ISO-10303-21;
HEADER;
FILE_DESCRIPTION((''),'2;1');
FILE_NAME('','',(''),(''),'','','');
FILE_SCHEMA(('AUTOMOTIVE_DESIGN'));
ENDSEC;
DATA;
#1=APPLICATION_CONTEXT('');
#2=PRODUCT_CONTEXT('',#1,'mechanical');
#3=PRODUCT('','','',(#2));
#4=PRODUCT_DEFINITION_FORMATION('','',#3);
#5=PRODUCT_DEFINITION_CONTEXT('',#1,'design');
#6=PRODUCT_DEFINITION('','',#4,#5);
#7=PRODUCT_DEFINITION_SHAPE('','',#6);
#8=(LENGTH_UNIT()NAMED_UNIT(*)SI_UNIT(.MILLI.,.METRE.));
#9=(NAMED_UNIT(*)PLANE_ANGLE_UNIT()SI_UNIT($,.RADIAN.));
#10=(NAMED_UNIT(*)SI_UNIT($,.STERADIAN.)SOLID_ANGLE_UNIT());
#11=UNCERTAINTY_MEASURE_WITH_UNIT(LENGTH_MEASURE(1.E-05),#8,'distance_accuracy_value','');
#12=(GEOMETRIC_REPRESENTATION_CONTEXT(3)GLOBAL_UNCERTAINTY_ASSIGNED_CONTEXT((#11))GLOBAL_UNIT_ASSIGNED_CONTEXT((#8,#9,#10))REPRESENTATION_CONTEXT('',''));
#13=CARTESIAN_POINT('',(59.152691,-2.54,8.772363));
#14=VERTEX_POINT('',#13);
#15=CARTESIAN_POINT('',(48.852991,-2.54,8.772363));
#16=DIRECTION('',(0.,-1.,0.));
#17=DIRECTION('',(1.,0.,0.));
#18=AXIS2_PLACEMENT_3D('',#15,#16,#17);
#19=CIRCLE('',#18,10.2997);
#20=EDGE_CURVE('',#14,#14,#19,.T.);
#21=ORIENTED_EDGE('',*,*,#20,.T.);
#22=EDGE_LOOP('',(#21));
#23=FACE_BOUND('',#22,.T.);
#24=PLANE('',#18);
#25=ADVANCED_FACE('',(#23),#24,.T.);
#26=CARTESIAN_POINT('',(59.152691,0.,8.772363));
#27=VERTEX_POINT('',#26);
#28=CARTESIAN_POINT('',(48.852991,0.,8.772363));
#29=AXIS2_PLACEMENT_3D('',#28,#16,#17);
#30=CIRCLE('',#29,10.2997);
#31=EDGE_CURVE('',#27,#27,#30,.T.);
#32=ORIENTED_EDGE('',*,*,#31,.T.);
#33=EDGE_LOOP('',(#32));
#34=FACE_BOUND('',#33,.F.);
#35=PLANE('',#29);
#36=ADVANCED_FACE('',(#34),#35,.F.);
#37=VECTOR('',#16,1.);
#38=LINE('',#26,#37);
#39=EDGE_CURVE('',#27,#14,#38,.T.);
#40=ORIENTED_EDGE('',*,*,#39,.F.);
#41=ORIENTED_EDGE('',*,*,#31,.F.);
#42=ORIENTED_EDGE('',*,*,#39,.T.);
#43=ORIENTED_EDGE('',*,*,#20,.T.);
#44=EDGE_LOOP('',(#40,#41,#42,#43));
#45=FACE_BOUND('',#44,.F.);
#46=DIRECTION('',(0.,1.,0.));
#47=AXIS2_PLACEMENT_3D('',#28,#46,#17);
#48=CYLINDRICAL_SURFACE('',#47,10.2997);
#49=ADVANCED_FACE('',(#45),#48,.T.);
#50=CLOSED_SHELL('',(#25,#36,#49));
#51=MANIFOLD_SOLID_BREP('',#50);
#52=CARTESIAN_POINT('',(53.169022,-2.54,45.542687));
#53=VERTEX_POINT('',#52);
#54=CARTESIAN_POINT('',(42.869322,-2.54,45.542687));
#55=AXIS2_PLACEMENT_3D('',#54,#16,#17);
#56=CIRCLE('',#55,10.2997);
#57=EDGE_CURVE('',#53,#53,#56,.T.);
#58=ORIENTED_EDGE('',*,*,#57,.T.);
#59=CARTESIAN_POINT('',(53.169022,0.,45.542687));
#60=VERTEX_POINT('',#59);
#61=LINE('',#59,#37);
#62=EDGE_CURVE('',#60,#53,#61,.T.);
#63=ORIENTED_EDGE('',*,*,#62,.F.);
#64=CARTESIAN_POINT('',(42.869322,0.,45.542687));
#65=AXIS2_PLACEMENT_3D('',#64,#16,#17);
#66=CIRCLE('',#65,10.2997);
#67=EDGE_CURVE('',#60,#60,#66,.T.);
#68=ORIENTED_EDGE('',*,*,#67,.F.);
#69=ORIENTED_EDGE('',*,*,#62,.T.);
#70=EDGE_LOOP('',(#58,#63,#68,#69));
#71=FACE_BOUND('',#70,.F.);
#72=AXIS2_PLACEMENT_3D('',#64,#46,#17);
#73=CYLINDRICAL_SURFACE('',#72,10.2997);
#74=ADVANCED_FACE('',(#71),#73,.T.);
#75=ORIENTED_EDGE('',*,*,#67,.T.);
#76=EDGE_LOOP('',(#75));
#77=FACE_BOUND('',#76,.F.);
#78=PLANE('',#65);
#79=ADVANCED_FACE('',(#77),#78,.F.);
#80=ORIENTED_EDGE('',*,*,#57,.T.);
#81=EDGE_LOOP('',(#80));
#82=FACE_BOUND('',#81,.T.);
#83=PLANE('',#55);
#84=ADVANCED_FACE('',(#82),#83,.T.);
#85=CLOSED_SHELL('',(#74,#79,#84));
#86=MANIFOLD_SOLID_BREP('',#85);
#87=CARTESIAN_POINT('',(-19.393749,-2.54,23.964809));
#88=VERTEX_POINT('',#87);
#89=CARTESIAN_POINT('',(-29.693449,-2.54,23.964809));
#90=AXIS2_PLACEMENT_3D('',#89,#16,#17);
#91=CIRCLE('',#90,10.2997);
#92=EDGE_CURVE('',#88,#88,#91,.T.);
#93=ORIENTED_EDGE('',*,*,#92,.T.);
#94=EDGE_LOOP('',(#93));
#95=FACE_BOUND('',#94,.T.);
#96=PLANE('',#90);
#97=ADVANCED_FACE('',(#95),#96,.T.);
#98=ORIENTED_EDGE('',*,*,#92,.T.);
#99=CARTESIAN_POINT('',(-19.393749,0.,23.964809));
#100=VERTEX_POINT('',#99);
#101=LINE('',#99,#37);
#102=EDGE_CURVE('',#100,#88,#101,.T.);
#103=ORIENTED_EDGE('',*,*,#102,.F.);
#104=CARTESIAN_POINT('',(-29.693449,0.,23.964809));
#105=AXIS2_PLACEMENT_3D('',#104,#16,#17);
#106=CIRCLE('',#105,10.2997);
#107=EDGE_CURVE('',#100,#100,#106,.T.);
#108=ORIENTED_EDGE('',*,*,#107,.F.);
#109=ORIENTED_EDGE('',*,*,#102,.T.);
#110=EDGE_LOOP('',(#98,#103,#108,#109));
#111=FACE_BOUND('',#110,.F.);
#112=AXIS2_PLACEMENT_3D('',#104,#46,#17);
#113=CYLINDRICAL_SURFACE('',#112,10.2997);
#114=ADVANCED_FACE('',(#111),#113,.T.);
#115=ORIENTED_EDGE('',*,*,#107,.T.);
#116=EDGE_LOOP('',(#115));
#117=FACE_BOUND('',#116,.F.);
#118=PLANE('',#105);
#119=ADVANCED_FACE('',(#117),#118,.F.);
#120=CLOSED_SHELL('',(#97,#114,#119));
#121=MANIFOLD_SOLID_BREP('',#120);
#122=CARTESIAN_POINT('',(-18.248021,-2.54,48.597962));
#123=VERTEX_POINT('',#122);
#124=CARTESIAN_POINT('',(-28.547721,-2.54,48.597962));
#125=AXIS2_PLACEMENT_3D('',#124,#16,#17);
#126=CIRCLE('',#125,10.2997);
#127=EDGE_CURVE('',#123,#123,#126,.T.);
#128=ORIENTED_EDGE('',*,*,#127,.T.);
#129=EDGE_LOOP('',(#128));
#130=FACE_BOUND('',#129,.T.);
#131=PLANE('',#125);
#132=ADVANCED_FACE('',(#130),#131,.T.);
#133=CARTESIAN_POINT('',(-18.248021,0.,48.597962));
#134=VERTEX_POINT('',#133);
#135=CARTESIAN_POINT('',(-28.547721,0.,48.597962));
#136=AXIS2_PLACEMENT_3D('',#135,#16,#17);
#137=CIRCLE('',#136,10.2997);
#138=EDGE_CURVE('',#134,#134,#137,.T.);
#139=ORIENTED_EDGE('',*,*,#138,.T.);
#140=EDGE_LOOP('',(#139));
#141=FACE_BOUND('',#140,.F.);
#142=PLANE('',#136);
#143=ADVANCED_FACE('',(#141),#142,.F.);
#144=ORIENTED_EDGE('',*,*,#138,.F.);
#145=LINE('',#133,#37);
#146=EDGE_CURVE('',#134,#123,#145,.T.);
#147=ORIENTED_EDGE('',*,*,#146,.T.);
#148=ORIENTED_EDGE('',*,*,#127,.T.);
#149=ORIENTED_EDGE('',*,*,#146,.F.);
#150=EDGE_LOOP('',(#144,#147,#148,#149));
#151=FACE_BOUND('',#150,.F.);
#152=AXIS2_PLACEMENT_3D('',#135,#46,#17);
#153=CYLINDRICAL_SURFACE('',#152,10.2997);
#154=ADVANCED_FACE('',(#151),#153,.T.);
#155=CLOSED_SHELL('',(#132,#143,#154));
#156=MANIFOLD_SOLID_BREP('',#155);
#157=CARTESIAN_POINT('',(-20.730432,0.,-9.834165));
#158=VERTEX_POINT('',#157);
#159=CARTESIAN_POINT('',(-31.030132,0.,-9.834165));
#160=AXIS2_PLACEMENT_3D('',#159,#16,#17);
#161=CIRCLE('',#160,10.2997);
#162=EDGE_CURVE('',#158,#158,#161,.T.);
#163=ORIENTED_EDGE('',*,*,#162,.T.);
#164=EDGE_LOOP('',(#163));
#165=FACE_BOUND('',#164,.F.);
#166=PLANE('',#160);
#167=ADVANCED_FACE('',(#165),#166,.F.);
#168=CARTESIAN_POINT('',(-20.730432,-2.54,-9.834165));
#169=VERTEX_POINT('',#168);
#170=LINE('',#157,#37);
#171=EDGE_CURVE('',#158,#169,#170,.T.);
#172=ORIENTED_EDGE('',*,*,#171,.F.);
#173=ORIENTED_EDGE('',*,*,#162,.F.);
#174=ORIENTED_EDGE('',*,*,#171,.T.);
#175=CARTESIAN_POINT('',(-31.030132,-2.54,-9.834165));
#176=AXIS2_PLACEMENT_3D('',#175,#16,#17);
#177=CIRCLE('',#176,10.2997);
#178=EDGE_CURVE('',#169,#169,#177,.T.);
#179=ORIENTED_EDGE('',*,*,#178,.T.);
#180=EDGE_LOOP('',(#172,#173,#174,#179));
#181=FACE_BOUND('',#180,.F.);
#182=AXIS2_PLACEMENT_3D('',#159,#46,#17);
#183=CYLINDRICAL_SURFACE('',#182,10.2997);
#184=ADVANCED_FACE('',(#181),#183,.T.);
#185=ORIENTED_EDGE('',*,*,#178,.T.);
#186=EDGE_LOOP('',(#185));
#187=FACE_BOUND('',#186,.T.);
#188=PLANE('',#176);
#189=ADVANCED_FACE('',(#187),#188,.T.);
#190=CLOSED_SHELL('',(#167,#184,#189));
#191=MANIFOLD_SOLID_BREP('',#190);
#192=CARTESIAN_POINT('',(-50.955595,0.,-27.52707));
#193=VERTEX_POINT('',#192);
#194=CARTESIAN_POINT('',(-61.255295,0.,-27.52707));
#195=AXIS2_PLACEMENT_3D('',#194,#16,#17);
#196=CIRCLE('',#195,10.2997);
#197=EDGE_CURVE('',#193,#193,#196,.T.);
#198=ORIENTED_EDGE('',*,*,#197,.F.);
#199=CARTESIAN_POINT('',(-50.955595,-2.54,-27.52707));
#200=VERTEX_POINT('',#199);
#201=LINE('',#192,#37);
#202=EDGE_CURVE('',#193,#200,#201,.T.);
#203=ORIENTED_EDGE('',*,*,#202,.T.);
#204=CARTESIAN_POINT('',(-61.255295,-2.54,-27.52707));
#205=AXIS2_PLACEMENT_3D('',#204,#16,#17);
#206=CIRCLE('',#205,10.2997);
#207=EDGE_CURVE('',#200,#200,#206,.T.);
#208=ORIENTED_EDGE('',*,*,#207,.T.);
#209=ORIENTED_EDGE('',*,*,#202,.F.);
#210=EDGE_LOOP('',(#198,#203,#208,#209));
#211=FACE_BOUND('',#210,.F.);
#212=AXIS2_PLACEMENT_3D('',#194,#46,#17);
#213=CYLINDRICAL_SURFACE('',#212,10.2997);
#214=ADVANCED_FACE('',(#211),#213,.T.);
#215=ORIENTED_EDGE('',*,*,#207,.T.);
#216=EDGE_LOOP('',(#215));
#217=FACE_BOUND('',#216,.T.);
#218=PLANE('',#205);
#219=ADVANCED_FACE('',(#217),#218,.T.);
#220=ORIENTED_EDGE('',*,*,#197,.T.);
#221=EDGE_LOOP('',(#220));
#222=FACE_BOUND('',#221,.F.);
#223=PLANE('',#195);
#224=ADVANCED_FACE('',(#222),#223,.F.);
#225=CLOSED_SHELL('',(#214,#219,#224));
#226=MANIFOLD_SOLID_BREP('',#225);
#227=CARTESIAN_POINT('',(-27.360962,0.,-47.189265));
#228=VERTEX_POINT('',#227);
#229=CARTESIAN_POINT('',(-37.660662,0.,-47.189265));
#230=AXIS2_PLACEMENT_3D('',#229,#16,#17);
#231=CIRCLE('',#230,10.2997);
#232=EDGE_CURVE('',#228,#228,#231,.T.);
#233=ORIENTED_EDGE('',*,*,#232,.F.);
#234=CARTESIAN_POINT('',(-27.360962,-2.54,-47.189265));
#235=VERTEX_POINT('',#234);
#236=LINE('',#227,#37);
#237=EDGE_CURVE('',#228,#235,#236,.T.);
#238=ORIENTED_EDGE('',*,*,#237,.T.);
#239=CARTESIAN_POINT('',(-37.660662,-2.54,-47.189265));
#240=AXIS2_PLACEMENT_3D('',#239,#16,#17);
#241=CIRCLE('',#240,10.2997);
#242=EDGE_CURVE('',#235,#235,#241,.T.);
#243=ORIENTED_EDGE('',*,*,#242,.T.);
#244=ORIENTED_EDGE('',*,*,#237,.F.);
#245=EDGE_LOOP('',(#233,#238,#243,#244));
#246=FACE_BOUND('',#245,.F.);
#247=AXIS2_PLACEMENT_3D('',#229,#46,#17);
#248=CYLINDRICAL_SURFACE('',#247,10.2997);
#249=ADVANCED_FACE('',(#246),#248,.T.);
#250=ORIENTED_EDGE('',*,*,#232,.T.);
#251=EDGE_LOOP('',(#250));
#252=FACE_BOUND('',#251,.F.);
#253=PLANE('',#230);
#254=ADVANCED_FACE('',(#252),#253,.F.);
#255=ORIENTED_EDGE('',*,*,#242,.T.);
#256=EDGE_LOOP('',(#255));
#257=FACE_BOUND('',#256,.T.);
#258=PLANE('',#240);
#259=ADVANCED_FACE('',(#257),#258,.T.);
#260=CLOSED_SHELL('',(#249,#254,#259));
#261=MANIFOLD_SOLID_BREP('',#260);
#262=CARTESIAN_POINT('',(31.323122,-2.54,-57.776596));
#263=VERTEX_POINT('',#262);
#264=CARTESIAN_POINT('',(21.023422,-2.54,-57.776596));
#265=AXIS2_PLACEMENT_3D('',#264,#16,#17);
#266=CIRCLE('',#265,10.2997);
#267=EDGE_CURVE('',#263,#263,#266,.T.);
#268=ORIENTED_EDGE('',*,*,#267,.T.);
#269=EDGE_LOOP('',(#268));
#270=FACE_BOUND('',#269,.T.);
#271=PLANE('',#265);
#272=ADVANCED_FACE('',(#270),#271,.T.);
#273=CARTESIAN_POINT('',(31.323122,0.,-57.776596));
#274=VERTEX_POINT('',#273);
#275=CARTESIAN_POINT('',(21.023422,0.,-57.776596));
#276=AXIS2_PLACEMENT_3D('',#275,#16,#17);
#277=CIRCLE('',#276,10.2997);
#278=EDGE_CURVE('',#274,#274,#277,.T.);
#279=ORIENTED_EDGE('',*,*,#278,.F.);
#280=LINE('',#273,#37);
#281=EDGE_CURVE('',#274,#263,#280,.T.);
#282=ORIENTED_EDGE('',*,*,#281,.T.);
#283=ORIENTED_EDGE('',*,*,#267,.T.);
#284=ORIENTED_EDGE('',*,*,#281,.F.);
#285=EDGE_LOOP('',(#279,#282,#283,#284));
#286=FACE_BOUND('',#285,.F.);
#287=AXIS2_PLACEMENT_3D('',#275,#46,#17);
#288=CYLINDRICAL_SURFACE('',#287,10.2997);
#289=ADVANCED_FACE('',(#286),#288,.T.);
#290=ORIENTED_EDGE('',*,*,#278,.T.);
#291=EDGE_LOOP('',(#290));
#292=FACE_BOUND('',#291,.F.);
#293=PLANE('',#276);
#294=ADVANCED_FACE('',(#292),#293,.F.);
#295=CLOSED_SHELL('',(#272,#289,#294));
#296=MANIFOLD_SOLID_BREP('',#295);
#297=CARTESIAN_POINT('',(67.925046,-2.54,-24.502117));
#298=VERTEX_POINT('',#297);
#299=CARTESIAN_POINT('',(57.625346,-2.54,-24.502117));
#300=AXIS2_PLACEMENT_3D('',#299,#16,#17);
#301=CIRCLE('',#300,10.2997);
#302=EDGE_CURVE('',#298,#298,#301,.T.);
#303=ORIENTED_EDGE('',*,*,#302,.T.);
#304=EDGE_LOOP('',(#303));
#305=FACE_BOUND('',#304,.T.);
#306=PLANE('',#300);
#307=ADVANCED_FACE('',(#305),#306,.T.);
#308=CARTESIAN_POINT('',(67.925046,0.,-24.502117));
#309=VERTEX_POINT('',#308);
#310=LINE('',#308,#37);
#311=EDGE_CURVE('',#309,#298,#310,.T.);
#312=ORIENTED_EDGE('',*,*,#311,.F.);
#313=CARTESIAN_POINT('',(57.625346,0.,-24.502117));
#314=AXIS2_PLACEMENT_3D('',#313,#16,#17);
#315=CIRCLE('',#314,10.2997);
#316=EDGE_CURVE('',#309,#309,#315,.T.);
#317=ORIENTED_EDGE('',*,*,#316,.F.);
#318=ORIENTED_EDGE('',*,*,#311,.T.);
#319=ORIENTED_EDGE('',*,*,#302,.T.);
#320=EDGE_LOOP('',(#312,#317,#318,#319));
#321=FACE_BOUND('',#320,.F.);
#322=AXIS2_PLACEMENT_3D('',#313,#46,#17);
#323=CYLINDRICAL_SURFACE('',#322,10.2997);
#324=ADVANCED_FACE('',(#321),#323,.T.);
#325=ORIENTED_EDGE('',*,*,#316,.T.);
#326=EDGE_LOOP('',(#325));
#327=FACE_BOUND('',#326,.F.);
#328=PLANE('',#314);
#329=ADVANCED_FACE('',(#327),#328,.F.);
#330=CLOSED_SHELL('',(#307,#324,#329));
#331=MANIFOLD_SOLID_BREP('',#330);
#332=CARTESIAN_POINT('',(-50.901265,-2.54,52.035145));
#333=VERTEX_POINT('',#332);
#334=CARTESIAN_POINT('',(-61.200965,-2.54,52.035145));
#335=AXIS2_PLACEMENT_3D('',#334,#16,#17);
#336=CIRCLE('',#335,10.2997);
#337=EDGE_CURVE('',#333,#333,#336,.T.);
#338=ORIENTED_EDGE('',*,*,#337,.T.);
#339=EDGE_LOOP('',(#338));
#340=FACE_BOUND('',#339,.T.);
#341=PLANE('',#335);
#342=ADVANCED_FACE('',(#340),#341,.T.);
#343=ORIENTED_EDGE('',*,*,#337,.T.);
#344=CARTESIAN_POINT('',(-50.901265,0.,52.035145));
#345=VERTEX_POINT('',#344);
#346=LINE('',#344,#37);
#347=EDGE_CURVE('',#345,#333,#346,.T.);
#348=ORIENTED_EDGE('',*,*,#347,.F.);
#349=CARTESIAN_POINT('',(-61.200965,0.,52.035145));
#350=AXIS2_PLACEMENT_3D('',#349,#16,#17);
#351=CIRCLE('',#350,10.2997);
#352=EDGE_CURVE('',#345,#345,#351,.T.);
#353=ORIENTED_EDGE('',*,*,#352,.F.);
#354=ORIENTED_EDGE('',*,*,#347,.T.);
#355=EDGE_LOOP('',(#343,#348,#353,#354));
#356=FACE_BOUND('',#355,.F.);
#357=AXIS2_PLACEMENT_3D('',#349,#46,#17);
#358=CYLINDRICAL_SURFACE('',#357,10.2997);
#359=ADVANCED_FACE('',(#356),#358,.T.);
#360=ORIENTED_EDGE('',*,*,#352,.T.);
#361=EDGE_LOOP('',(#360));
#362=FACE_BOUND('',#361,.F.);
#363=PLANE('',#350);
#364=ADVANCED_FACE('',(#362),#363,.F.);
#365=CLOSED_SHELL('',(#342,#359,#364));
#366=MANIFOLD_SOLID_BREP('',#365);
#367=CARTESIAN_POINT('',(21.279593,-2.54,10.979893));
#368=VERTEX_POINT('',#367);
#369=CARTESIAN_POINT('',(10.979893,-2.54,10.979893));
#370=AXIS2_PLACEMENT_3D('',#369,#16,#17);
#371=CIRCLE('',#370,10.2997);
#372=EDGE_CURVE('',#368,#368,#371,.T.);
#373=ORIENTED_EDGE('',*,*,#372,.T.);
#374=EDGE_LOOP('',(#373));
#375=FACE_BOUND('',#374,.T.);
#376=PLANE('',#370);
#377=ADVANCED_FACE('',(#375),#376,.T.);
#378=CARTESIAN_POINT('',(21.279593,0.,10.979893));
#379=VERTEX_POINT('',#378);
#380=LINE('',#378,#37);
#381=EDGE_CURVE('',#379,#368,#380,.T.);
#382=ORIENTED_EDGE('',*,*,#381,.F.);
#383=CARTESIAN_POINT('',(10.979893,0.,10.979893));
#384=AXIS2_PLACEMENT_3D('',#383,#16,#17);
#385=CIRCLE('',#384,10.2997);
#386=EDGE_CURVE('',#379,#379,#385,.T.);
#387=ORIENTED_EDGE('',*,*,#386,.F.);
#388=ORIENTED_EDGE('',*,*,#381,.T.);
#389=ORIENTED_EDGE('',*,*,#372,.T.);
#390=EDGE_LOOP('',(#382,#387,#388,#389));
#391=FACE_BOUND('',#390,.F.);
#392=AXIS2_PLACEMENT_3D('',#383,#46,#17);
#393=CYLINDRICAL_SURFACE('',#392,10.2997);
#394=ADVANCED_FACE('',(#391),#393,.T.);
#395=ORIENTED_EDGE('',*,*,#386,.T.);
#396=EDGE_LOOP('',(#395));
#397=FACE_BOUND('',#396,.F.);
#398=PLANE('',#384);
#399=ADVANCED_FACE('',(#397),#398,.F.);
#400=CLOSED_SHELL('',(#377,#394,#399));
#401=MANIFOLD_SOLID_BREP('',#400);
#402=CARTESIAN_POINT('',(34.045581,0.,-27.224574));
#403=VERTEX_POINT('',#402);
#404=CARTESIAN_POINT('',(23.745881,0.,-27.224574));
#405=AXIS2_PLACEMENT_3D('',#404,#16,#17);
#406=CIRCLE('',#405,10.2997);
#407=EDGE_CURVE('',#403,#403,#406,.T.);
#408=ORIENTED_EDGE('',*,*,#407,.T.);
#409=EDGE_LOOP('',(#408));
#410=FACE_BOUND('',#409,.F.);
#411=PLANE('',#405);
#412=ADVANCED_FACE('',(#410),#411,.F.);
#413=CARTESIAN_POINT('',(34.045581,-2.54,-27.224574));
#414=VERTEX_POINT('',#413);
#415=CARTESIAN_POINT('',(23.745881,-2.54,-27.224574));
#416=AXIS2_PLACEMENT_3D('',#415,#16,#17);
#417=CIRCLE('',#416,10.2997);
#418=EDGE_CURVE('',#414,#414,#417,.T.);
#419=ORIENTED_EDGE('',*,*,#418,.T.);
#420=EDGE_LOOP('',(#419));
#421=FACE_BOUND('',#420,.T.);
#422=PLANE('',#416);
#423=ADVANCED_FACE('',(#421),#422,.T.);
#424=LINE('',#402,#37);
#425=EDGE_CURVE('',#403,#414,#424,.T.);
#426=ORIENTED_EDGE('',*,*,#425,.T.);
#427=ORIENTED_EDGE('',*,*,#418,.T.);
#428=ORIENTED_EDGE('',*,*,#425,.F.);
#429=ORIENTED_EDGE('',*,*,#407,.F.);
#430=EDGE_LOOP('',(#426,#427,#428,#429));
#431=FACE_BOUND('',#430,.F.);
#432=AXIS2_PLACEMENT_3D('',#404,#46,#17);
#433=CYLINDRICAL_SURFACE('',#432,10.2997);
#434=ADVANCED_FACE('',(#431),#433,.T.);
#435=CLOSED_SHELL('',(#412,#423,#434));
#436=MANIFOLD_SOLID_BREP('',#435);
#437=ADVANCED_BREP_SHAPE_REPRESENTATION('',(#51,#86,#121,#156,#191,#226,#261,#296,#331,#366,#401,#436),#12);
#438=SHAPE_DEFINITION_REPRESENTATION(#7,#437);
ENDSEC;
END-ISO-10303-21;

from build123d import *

# Parameters (mm, degrees)
F0_R     = 10.2997
F1_DEPTH = 2.54
F2_R     = 10.2997
F3_DEPTH = 2.54


with BuildPart() as f1:
    # F0 (on Front) → F1 (new body)
    with BuildSketch(Plane.XZ):
        with Locations((-61.200965, 52.035145)):
            Circle(F0_R)
        with Locations((-28.547721, 48.597962)):
            Circle(F0_R)
        with Locations((42.869322, 45.542687)):
            Circle(F0_R)
        with Locations((-29.693449, 23.964809)):
            Circle(F0_R)
        with Locations((10.979893, 10.979893)):
            Circle(F0_R)
        with Locations((-31.030132, -9.834165)):
            Circle(F0_R)
    extrude(amount=F1_DEPTH)


with BuildPart() as f3:
    # F2 (on Front) → F3 (new body)
    with BuildSketch(Plane.XZ):
        with Locations((23.745881, -27.224574)):
            Circle(F2_R)
        with Locations((-61.255295, -27.52707)):
            Circle(F2_R)
        with Locations((21.023422, -57.776596)):
            Circle(F2_R)
        with Locations((-37.660662, -47.189265)):
            Circle(F2_R)
        with Locations((57.625346, -24.502117)):
            Circle(F2_R)
        with Locations((48.852991, 8.772363)):
            Circle(F2_R)
    extrude(amount=F3_DEPTH)


solid = Compound([f1.part, f3.part])
